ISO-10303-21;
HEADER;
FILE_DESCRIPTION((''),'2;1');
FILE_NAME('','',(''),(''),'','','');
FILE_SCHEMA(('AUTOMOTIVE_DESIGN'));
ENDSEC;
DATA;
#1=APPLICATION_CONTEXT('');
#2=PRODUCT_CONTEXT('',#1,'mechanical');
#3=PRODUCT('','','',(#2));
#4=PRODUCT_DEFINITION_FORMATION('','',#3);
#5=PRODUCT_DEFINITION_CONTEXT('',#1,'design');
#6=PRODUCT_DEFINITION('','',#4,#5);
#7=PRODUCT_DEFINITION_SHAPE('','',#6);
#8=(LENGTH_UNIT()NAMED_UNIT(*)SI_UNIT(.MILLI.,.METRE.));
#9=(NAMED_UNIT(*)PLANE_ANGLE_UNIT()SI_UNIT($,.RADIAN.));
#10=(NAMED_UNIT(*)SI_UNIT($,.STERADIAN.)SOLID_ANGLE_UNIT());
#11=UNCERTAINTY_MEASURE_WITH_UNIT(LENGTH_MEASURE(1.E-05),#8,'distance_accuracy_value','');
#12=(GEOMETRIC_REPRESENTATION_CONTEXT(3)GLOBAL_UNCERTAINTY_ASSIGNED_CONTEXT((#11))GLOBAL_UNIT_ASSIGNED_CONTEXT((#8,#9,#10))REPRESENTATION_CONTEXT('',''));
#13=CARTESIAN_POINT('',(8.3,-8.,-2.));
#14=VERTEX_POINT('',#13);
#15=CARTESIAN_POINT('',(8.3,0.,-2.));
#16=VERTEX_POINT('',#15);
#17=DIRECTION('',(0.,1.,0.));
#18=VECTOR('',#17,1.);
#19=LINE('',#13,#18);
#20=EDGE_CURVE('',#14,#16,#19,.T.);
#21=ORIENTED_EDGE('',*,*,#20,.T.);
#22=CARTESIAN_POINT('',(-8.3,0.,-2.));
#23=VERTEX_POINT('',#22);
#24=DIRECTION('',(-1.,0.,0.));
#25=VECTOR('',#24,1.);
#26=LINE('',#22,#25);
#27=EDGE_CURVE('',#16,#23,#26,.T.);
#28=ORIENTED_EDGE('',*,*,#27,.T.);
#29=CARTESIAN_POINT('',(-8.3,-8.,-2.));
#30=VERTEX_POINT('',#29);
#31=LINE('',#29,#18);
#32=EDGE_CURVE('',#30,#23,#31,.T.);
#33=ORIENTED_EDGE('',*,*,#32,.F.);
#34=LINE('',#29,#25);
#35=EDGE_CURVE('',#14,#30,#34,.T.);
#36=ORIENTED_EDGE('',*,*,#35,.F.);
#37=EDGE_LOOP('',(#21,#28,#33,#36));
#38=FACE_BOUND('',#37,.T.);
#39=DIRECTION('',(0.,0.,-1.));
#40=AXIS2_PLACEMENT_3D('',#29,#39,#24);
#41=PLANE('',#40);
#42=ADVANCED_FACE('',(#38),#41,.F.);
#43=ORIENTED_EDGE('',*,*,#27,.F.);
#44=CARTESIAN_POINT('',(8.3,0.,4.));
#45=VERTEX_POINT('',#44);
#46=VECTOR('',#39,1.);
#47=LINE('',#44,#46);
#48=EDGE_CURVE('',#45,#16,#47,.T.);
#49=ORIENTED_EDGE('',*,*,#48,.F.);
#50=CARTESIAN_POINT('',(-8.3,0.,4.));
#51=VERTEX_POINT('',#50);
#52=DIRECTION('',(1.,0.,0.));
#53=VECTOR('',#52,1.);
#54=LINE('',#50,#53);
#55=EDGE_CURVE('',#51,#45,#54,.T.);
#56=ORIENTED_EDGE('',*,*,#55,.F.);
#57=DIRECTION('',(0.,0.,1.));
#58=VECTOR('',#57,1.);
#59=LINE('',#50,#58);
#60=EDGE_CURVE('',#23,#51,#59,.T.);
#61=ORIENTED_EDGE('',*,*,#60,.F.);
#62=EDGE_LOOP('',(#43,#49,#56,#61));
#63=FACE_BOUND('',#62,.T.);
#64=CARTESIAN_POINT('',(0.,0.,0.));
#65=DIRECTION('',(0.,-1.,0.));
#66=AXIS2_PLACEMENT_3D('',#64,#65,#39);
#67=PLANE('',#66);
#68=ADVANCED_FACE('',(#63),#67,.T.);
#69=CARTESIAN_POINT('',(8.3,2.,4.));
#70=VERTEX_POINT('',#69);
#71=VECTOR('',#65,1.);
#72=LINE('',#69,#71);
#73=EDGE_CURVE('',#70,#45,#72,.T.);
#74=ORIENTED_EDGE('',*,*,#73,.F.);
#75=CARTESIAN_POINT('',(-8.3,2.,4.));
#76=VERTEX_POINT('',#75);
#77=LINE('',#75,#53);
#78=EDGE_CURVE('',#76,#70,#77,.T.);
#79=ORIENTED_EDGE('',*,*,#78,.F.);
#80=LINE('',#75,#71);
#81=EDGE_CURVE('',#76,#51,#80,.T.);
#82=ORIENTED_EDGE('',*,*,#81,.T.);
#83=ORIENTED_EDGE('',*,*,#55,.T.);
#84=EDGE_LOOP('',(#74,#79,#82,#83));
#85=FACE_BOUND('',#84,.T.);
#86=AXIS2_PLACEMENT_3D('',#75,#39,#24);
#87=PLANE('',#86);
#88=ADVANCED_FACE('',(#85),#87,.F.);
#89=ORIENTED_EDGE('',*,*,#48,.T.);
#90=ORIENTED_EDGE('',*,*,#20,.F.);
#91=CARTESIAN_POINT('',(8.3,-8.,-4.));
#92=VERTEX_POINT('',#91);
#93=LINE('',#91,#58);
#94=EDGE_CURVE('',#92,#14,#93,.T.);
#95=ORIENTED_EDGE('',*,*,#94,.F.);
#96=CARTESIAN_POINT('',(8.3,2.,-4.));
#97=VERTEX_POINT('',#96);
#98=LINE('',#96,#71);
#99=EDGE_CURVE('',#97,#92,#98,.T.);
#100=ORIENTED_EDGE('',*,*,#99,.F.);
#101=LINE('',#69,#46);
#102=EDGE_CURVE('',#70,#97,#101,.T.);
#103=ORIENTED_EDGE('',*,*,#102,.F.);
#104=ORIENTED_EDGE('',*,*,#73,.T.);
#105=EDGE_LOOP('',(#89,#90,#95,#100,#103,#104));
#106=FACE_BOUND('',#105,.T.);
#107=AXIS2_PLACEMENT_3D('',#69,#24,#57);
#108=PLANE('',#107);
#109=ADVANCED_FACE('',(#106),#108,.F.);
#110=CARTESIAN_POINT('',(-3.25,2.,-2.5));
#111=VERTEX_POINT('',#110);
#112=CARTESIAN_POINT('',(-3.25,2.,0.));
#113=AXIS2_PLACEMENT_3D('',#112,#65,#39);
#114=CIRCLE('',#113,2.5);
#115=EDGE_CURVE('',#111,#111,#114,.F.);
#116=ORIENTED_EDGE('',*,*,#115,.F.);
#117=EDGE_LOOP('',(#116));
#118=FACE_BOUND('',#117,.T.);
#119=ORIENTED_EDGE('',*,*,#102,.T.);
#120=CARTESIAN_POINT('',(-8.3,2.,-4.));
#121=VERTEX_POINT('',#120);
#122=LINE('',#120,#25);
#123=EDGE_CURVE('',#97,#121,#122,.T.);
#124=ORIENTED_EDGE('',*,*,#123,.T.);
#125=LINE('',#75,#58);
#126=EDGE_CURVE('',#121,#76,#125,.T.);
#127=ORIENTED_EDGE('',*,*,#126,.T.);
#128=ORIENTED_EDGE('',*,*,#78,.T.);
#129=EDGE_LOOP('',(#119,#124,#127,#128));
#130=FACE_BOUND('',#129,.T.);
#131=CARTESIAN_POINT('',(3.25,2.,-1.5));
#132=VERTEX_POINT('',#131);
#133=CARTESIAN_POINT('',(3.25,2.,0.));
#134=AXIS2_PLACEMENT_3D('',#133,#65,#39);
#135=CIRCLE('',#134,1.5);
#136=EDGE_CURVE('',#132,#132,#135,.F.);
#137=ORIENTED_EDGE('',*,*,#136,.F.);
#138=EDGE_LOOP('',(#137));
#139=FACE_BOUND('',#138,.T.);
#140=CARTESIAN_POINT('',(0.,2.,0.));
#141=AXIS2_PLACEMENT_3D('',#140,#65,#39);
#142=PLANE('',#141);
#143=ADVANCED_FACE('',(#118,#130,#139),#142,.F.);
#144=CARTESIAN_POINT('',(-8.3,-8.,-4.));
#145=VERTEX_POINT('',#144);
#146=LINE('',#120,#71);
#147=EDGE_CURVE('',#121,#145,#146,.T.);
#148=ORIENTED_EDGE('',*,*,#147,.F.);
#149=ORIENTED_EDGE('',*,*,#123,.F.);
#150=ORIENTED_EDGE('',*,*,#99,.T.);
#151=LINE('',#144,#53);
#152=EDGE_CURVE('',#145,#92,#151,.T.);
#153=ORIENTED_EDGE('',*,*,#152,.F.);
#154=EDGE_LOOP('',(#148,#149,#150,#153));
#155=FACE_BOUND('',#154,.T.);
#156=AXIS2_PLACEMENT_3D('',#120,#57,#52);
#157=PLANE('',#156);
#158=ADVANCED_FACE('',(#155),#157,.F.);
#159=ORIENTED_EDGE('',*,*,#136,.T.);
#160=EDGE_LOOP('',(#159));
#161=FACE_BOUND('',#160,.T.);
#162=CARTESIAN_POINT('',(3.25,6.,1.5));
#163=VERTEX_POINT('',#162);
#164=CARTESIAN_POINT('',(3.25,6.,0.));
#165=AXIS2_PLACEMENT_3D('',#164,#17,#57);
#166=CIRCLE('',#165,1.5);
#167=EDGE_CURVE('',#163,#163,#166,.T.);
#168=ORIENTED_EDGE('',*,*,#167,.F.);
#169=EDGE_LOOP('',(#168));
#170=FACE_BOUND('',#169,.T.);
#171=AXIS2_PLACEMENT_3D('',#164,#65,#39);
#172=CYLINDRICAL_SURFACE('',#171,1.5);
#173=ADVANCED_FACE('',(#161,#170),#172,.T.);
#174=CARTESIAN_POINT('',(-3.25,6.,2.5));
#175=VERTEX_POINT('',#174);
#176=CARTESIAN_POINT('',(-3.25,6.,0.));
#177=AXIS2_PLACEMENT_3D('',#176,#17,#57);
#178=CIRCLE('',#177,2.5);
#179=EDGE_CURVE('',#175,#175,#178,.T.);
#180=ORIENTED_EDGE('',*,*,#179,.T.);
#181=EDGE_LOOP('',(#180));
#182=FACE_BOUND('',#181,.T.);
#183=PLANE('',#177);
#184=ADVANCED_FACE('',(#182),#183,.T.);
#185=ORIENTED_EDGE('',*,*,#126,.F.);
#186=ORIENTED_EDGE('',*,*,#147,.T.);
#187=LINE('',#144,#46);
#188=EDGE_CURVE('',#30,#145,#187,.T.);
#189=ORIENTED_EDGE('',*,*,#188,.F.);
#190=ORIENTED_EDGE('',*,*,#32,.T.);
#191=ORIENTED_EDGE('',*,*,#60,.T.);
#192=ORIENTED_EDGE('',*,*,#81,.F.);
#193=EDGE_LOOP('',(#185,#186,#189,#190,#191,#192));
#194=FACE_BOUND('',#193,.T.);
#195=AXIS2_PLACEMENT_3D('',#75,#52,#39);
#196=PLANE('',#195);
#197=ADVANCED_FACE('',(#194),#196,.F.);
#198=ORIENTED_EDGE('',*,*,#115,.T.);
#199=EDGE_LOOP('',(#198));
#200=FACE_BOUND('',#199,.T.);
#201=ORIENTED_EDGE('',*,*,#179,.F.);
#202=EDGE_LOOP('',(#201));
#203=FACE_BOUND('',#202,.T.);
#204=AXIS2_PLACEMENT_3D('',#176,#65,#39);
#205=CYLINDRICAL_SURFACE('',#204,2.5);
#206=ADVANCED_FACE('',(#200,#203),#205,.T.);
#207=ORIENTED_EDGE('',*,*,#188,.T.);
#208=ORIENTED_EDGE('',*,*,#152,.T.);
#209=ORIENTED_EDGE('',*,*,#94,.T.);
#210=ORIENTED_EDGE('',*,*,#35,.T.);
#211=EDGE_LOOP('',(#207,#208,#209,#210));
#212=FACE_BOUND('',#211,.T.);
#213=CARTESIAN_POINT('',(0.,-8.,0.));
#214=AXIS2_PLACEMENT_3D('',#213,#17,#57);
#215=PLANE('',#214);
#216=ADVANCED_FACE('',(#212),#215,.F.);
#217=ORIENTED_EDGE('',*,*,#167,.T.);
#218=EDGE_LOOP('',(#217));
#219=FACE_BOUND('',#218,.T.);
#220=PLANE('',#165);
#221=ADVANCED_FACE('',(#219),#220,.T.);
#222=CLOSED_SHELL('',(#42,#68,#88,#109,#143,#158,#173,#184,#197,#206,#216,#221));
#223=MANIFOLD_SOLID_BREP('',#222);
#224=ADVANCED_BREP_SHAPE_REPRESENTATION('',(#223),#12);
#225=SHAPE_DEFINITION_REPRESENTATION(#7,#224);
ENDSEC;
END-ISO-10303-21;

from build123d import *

# Parameters (mm, degrees)
SKETCH1_W           = 16.6
SKETCH1_H           = 8
BOSS_EXTRUDE1_DEPTH = 2
SKETCH2_R           = 2.5
SKETCH2_R_2         = 1.5
BOSS_EXTRUDE2_DEPTH = 4
SKETCH3_W           = 16.6
SKETCH3_H           = 2
BOSS_EXTRUDE3_DEPTH = 8


with BuildPart() as part:
    # Sketch1 → Boss-Extrude1 (new body)
    with BuildSketch(Plane(origin=(0, 0, 0), x_dir=(1, 0, 0), z_dir=(0, 1, 0))):
        Rectangle(SKETCH1_W, SKETCH1_H)
    extrude(amount=BOSS_EXTRUDE1_DEPTH)

    # Sketch2 → Boss-Extrude2 (add)
    with BuildSketch(Plane(origin=(0, 2, 0), x_dir=(1, 0, 0), z_dir=(0, 1, 0))):
        with Locations(Location((-3.25, 0, 0), (0, 0, 90))):
            Circle(SKETCH2_R)
        with Locations(Location((3.25, 0, 0), (0, 0, 90))):
            Circle(SKETCH2_R_2)
    extrude(amount=BOSS_EXTRUDE2_DEPTH)

    # Sketch3 → Boss-Extrude3 (add)
    with BuildSketch(Plane.XZ):
        with Locations((0, -3)):
            Rectangle(SKETCH3_W, SKETCH3_H)
    extrude(amount=BOSS_EXTRUDE3_DEPTH)


solid = part.part
